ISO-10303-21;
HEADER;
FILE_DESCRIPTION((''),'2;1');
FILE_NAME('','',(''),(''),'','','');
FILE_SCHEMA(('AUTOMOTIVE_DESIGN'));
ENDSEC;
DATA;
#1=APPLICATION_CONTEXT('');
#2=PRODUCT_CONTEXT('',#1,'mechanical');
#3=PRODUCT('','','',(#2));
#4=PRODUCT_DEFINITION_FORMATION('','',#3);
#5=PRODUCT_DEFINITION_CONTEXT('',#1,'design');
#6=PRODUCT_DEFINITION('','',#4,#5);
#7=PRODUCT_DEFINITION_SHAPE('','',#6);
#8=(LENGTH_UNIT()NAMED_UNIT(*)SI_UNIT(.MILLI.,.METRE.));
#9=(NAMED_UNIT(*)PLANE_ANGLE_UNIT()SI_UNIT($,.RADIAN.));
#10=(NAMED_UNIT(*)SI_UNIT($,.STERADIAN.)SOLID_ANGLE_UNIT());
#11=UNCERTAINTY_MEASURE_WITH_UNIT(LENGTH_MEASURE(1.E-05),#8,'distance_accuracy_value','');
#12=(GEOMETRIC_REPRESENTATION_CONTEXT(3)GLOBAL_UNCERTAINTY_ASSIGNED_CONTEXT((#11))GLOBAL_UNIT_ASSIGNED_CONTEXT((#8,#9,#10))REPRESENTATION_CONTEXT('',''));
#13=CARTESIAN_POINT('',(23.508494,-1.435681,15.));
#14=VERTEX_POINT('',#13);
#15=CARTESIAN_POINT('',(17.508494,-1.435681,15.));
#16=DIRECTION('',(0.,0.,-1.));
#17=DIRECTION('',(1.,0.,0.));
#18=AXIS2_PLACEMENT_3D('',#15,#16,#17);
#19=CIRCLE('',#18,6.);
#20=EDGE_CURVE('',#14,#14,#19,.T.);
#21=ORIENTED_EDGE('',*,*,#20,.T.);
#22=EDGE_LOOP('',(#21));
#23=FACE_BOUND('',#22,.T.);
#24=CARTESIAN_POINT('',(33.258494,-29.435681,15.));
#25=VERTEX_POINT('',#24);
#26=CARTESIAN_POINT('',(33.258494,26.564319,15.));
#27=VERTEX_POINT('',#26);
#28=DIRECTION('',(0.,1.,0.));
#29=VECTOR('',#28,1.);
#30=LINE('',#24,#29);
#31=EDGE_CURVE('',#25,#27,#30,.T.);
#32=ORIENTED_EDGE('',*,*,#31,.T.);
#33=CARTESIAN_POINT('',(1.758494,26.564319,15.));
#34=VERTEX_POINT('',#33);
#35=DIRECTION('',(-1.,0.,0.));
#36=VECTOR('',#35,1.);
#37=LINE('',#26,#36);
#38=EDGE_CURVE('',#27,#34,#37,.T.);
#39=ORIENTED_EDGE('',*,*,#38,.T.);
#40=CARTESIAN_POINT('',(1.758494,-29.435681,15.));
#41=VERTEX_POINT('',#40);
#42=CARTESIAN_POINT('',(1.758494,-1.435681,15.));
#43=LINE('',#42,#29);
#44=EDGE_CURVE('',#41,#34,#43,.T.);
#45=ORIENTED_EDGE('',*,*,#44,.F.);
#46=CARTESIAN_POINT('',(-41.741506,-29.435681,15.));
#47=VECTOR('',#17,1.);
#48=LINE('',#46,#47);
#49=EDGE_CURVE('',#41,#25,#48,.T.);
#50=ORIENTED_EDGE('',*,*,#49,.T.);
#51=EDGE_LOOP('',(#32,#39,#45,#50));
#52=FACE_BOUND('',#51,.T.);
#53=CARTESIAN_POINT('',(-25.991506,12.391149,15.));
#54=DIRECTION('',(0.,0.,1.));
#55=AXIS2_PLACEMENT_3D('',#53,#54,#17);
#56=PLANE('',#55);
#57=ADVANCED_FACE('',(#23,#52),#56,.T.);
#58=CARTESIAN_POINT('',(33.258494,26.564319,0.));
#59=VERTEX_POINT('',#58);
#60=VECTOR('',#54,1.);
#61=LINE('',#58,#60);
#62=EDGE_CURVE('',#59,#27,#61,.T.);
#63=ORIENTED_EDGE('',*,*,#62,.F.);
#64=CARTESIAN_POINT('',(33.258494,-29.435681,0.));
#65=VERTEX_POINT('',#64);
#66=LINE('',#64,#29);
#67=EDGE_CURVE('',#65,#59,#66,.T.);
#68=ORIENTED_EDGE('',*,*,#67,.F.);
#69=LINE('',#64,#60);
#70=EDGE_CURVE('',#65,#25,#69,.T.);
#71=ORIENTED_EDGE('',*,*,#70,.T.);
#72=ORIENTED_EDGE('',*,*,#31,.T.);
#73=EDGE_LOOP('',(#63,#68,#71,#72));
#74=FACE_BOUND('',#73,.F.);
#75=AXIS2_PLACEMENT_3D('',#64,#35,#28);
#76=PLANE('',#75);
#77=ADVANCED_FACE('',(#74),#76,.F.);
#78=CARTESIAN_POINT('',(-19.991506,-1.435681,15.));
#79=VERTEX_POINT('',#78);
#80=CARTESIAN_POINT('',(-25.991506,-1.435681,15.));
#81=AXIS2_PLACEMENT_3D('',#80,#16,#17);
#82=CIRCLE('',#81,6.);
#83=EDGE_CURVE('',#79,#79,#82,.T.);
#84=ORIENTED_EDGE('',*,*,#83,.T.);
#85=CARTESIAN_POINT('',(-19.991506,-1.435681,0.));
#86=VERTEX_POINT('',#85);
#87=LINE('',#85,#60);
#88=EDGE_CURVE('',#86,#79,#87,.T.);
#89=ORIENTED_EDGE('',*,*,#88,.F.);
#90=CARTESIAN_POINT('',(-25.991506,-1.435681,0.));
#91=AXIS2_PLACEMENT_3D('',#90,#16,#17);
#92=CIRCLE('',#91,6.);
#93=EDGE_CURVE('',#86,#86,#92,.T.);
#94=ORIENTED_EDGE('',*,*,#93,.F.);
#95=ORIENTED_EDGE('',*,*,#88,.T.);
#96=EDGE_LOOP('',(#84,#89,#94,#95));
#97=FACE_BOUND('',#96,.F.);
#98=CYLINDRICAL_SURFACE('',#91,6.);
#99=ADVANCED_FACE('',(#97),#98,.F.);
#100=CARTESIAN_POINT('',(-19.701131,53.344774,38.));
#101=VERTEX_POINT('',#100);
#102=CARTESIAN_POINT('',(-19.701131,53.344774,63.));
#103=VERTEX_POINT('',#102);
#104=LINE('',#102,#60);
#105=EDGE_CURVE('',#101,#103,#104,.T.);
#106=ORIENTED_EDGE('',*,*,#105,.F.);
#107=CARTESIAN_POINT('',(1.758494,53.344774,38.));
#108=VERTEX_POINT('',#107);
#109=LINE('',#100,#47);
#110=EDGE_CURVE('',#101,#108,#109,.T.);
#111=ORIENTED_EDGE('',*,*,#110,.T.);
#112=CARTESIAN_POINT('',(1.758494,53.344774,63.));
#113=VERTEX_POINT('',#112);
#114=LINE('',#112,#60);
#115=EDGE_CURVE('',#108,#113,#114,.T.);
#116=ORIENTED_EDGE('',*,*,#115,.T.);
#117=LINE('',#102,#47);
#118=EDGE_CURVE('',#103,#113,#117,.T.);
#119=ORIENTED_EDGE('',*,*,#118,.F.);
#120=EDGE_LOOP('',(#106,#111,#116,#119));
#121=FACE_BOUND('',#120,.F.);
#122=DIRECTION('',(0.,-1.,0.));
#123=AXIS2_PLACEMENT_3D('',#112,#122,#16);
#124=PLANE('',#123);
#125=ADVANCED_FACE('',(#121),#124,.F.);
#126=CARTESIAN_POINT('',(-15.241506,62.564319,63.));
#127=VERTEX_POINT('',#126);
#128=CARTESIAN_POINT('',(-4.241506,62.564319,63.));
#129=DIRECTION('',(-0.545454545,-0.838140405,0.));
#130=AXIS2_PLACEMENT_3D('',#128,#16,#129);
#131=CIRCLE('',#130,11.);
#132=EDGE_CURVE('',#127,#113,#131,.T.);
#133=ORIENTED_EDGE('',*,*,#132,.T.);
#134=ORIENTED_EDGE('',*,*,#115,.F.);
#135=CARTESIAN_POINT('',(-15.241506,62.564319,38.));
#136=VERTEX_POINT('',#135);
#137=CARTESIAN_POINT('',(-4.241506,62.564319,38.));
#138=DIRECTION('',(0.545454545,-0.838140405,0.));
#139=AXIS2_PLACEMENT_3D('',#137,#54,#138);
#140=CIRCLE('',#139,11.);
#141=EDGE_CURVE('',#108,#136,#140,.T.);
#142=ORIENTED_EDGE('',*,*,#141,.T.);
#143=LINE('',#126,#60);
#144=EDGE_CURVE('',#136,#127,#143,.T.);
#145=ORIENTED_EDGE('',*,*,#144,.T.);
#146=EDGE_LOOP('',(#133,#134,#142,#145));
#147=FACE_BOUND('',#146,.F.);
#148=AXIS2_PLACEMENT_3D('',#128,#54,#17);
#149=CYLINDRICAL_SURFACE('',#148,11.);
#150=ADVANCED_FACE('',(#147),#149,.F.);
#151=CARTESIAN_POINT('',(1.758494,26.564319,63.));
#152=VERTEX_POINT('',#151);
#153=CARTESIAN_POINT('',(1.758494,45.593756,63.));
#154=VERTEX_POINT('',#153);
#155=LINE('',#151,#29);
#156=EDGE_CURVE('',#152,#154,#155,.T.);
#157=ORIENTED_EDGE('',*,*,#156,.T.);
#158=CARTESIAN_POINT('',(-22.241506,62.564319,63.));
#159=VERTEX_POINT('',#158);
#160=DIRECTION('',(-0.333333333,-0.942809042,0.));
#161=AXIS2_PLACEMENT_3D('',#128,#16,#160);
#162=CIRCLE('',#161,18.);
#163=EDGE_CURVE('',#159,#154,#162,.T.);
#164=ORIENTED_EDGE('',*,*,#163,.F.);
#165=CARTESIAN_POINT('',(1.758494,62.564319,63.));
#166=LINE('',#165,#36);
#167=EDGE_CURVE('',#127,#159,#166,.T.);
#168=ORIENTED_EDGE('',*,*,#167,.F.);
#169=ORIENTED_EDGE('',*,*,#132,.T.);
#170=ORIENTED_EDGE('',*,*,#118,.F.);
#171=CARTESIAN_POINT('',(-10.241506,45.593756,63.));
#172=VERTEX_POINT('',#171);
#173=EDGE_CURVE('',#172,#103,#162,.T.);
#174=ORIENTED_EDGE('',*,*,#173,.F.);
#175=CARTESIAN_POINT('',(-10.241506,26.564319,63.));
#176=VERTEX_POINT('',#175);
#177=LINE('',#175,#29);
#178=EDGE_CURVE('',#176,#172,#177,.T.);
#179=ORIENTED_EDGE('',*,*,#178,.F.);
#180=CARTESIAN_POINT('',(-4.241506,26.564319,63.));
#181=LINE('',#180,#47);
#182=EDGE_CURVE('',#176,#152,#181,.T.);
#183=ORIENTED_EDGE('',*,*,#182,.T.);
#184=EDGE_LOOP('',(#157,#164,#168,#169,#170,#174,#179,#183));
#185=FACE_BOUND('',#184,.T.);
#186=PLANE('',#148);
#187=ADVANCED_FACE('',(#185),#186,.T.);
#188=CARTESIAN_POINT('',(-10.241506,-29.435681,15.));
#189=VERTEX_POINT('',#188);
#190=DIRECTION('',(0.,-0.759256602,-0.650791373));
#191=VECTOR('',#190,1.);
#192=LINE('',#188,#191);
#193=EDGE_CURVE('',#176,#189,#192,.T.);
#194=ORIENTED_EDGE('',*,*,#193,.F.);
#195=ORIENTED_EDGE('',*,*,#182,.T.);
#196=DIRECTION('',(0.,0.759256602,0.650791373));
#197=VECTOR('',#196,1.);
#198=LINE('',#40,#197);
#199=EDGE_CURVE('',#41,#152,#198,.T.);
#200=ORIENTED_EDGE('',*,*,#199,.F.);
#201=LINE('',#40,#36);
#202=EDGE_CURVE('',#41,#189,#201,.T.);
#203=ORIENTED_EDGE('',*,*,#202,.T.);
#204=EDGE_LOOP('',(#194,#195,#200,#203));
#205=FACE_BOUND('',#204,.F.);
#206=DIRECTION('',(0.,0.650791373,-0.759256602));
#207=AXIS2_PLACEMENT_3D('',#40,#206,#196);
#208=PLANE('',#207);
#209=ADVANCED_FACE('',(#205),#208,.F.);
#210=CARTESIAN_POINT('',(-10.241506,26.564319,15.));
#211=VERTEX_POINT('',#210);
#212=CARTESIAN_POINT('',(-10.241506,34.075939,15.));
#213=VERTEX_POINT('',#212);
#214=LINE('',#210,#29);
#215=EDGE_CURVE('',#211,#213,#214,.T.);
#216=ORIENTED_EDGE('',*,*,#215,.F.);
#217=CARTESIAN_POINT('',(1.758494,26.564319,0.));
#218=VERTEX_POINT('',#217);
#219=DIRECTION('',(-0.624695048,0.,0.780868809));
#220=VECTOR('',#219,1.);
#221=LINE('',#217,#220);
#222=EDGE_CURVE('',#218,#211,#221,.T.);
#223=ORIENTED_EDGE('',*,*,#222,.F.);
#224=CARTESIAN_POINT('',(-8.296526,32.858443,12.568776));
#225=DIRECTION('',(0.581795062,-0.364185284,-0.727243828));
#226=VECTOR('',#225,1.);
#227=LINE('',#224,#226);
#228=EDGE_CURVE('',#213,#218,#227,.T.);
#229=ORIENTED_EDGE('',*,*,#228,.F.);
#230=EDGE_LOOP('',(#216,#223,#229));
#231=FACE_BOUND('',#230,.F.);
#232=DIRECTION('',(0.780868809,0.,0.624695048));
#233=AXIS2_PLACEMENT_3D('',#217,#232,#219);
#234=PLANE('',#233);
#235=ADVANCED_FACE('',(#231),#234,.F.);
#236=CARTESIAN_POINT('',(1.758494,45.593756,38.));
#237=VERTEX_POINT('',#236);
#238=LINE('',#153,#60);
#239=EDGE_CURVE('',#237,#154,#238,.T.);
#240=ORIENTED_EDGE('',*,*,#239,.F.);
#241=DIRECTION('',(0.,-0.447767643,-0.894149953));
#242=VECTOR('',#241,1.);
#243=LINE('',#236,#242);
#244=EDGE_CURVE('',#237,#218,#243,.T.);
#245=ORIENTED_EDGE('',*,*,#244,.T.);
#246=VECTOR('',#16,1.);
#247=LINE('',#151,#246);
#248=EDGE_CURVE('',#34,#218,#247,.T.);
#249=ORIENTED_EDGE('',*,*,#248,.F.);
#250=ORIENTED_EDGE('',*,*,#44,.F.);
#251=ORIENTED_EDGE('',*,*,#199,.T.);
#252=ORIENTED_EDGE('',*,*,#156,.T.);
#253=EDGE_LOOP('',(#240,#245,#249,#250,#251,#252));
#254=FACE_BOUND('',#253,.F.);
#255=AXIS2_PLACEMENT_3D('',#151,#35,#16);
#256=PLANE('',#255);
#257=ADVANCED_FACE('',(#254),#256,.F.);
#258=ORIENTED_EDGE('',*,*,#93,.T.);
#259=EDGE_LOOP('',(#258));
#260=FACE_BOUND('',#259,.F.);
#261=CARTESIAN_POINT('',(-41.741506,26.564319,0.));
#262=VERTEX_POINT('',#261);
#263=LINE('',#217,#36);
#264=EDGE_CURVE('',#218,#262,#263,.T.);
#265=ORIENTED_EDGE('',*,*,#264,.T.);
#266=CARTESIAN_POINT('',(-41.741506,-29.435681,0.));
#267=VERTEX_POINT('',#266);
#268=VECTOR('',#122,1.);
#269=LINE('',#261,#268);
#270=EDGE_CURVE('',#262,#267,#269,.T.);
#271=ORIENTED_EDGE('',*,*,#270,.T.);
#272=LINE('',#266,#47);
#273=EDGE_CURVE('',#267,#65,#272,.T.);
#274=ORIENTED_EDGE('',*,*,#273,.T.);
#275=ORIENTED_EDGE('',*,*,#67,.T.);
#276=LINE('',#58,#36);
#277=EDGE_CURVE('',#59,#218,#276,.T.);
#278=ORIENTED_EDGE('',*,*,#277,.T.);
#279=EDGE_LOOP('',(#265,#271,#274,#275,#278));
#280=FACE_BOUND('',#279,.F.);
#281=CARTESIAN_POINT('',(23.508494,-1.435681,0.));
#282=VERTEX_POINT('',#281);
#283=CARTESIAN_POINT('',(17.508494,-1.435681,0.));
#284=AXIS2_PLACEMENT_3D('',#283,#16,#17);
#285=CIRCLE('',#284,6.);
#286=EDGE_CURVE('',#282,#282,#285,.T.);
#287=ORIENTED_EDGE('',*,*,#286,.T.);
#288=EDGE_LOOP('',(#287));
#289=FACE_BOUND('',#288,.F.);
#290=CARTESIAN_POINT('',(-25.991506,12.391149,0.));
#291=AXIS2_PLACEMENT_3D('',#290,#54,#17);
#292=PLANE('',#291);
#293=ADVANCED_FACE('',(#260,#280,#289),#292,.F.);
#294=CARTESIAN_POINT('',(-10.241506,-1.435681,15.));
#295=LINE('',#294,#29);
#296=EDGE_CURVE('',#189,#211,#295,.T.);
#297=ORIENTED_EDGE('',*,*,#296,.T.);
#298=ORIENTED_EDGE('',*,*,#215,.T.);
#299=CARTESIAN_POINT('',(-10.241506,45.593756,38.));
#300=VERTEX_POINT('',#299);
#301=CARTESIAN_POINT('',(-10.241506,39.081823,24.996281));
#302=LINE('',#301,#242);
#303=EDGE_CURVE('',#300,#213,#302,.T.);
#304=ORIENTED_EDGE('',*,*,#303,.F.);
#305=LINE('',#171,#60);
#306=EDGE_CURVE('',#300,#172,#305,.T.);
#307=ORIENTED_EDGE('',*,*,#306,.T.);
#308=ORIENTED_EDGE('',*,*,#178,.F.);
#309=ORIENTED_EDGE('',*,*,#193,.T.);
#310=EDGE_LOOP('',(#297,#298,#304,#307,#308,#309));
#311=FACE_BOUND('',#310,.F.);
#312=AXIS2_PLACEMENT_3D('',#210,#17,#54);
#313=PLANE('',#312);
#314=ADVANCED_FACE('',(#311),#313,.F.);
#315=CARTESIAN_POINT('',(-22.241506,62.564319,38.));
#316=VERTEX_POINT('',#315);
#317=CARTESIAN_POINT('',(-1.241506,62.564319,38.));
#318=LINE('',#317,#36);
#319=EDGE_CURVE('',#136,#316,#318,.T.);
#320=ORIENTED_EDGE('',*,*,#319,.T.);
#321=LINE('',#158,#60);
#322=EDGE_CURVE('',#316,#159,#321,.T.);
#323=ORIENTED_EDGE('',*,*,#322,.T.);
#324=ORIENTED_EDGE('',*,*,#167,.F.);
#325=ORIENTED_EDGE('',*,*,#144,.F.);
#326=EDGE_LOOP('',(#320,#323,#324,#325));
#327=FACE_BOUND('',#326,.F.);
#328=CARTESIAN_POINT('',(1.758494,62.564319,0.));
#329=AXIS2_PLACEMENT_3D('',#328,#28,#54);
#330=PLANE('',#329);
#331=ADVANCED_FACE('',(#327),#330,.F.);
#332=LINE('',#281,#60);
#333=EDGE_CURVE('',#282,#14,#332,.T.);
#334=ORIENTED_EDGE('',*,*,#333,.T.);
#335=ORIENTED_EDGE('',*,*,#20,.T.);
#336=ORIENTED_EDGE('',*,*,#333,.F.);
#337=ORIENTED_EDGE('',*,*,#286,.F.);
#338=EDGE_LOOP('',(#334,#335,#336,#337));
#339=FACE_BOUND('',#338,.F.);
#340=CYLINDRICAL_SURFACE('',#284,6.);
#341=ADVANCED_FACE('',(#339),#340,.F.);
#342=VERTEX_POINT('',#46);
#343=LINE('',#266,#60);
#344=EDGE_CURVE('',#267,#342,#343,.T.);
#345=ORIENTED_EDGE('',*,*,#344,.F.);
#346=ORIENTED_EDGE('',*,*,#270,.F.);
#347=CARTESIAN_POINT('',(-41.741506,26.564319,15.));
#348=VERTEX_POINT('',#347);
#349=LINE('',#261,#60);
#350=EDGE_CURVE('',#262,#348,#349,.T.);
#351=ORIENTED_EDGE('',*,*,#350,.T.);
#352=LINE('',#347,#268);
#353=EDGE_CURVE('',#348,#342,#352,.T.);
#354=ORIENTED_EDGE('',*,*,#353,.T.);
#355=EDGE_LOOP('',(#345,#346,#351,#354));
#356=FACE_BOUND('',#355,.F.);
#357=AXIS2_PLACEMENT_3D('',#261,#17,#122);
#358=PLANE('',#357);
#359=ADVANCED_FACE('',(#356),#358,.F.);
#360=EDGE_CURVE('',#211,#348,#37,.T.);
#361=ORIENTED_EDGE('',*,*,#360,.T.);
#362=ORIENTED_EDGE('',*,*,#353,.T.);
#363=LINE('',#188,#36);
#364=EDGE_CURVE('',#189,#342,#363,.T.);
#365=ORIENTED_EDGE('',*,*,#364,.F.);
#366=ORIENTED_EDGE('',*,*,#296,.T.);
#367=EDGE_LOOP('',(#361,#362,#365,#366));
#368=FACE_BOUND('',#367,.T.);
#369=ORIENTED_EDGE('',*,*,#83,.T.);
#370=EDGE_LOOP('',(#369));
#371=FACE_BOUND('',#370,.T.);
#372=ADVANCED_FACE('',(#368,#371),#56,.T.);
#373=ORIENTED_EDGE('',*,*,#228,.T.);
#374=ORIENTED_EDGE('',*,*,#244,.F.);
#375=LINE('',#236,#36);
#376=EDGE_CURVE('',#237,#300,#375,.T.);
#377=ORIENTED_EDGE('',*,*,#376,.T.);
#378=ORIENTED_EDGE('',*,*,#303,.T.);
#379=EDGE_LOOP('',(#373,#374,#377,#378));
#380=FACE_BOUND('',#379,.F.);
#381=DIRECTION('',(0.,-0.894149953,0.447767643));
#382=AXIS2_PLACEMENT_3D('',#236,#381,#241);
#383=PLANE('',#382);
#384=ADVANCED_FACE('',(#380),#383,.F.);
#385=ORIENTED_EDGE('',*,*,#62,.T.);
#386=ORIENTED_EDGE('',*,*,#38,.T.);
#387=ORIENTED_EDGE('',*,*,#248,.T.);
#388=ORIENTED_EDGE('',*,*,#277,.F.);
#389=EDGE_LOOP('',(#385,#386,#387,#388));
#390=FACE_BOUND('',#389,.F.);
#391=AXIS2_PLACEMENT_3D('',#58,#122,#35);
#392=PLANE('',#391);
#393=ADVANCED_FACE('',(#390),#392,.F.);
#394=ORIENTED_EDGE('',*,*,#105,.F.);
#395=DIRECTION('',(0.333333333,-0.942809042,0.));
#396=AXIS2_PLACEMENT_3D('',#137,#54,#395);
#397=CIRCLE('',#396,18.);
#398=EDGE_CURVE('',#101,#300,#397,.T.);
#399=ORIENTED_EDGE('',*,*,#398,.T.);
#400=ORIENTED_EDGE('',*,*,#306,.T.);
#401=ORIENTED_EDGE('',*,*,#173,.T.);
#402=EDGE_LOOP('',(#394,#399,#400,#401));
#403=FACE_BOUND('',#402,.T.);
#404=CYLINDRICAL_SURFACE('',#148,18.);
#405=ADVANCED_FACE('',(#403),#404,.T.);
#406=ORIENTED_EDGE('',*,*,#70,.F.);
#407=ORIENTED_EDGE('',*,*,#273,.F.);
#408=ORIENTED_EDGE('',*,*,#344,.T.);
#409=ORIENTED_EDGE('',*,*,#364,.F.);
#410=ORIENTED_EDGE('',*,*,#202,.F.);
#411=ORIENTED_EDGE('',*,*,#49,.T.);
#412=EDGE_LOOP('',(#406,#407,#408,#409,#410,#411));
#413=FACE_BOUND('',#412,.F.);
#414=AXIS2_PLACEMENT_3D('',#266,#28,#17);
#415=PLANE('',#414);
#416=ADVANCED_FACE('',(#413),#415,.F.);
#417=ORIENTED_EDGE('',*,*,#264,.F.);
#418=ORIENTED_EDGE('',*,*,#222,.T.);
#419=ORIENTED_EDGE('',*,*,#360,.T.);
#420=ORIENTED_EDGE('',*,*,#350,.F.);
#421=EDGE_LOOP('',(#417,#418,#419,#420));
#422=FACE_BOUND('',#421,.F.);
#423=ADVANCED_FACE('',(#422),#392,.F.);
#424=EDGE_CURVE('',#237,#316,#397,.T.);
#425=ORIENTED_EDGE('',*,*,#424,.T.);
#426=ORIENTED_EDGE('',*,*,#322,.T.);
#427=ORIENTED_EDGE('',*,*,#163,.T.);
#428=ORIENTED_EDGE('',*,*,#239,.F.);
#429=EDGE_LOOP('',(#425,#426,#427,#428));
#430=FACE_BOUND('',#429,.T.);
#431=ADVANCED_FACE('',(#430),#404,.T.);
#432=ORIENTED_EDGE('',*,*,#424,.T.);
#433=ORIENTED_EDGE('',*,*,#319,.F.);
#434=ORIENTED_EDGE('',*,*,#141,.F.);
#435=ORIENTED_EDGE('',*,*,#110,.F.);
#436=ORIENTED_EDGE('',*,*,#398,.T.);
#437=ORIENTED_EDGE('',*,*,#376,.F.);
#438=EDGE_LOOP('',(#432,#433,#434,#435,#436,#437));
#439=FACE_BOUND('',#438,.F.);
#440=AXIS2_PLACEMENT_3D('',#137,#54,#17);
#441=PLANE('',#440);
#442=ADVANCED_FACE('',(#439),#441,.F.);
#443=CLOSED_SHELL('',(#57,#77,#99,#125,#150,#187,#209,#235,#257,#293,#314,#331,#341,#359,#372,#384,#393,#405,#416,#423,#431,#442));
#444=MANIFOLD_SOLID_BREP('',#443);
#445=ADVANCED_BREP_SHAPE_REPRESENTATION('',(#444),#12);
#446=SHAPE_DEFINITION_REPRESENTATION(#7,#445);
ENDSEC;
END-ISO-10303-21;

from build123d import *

# Parameters (mm, degrees)
F1_DEPTH  = 15
F2_W      = 12
F2_H      = 56
F3_DEPTH  = 48
F5_DEPTH  = 25
F7_DEPTH  = 36
F8_R      = 18
F8_R_2    = 11
F9_DEPTH  = 25
F11_DEPTH = 25


with BuildPart() as f1:
    # F0 (on Top) → F1 (new body)
    with BuildSketch(Plane.XY):
        with BuildLine():
            Line((-10.2415060103, 26.5643188208), (-41.7415060103, 26.5643188208))
            Line((-41.7415060103, 26.5643188208), (-41.7415060103, -1.4356811792))
            Line((-41.7415060103, -1.4356811792), (-31.9915060103, -1.4356811792))
            ThreePointArc((-31.9915060103, -1.4356811792), (-25.9915060103, 4.5643188208), (-19.9915060103, -1.4356811792))
            Line((-19.9915060103, -1.4356811792), (-10.2415060103, -1.4356811792))
            Line((-10.2415060103, -1.4356811792), (-10.2415060103, 26.5643188208))
        make_face()
        Polygon((1.7584939897, 26.5643188208), (-10.2415060103, 26.5643188208), (-10.2415060103, -1.4356811792), (-10.2415060103, -29.4356811792), (-4.2415060103, -29.4356811792), (1.7584939897, -29.4356811792), (1.7584939897, -1.4356811792), align=None)
        with BuildLine():
            Line((-31.9915060103, -1.4356811792), (-41.7415060103, -1.4356811792))
            Line((-41.7415060103, -1.4356811792), (-41.7415060103, -29.4356811792))
            Line((-41.7415060103, -29.4356811792), (-10.2415060103, -29.4356811792))
            Line((-10.2415060103, -29.4356811792), (-10.2415060103, -1.4356811792))
            Line((-10.2415060103, -1.4356811792), (-19.9915060103, -1.4356811792))
            ThreePointArc((-19.9915060103, -1.4356811792), (-25.9915060103, -7.4356811792), (-31.9915060103, -1.4356811792))
        make_face()
        with BuildLine():
            Line((33.2584939897, 26.5643188208), (1.7584939897, 26.5643188208))
            Line((1.7584939897, 26.5643188208), (1.7584939897, -1.4356811792))
            Line((1.7584939897, -1.4356811792), (11.5084939897, -1.4356811792))
            ThreePointArc((11.5084939897, -1.4356811792), (17.5084939897, 4.5643188208), (23.5084939897, -1.4356811792))
            Line((23.5084939897, -1.4356811792), (33.2584939897, -1.4356811792))
            Line((33.2584939897, -1.4356811792), (33.2584939897, 26.5643188208))
        make_face()
        with BuildLine():
            Line((11.5084939897, -1.4356811792), (1.7584939897, -1.4356811792))
            Line((1.7584939897, -1.4356811792), (1.7584939897, -29.4356811792))
            Line((1.7584939897, -29.4356811792), (33.2584939897, -29.4356811792))
            Line((33.2584939897, -29.4356811792), (33.2584939897, -1.4356811792))
            Line((33.2584939897, -1.4356811792), (23.5084939897, -1.4356811792))
            ThreePointArc((23.5084939897, -1.4356811792), (17.5084939897, -7.4356811792), (11.5084939897, -1.4356811792))
        make_face()
    extrude(amount=F1_DEPTH)

    # F2 (on face) → F3 (join)
    with BuildSketch(Plane.XY.offset(15)):
        with Locations((-4.2415060103, -1.4356811792)):
            Rectangle(F2_W, F2_H)
    extrude(amount=F3_DEPTH)

    # F4 (on face) → F5 (cut)
    with BuildSketch(Plane.YZ.offset(1.7584939897)):
        Polygon((-29.4356811792, 15), (26.5643188208, 63), (-29.4356811792, 63), align=None)
    extrude(amount=-F5_DEPTH, mode=Mode.SUBTRACT)

    # F6 (on face) → F7 (join)
    with BuildSketch(Plane(origin=(0, 26.5643188208, 0), x_dir=(-1, 0, 0), z_dir=(0, 1, 0))):
        Polygon((-1.7584939897, 63), (-1.7584939897, 15), (-1.7584939897, 0), (10.2415060103, 15), (10.2415060103, 63), align=None)
    extrude(amount=F7_DEPTH)

    # F8 (on face) → F9 (join)
    with BuildSketch(Plane.XY.offset(63)):
        with Locations((-4.2415060103, 62.5643188208)):
            Circle(F8_R)
        with Locations((-4.2415060103, 62.5643188208)):
            Circle(F8_R_2, mode=Mode.SUBTRACT)
    extrude(amount=-F9_DEPTH)

    # F10 (on face) → F11 (cut)
    with BuildSketch(Plane.YZ.offset(1.7584939897)):
        Polygon((45.5937560724, 38), (26.5643188208, 0), (62.5643188208, 0), (62.5643188208, 63), (53.3447743635, 63), (53.3447743635, 38), align=None)
    extrude(amount=-F11_DEPTH, mode=Mode.SUBTRACT)


solid = f1.part
